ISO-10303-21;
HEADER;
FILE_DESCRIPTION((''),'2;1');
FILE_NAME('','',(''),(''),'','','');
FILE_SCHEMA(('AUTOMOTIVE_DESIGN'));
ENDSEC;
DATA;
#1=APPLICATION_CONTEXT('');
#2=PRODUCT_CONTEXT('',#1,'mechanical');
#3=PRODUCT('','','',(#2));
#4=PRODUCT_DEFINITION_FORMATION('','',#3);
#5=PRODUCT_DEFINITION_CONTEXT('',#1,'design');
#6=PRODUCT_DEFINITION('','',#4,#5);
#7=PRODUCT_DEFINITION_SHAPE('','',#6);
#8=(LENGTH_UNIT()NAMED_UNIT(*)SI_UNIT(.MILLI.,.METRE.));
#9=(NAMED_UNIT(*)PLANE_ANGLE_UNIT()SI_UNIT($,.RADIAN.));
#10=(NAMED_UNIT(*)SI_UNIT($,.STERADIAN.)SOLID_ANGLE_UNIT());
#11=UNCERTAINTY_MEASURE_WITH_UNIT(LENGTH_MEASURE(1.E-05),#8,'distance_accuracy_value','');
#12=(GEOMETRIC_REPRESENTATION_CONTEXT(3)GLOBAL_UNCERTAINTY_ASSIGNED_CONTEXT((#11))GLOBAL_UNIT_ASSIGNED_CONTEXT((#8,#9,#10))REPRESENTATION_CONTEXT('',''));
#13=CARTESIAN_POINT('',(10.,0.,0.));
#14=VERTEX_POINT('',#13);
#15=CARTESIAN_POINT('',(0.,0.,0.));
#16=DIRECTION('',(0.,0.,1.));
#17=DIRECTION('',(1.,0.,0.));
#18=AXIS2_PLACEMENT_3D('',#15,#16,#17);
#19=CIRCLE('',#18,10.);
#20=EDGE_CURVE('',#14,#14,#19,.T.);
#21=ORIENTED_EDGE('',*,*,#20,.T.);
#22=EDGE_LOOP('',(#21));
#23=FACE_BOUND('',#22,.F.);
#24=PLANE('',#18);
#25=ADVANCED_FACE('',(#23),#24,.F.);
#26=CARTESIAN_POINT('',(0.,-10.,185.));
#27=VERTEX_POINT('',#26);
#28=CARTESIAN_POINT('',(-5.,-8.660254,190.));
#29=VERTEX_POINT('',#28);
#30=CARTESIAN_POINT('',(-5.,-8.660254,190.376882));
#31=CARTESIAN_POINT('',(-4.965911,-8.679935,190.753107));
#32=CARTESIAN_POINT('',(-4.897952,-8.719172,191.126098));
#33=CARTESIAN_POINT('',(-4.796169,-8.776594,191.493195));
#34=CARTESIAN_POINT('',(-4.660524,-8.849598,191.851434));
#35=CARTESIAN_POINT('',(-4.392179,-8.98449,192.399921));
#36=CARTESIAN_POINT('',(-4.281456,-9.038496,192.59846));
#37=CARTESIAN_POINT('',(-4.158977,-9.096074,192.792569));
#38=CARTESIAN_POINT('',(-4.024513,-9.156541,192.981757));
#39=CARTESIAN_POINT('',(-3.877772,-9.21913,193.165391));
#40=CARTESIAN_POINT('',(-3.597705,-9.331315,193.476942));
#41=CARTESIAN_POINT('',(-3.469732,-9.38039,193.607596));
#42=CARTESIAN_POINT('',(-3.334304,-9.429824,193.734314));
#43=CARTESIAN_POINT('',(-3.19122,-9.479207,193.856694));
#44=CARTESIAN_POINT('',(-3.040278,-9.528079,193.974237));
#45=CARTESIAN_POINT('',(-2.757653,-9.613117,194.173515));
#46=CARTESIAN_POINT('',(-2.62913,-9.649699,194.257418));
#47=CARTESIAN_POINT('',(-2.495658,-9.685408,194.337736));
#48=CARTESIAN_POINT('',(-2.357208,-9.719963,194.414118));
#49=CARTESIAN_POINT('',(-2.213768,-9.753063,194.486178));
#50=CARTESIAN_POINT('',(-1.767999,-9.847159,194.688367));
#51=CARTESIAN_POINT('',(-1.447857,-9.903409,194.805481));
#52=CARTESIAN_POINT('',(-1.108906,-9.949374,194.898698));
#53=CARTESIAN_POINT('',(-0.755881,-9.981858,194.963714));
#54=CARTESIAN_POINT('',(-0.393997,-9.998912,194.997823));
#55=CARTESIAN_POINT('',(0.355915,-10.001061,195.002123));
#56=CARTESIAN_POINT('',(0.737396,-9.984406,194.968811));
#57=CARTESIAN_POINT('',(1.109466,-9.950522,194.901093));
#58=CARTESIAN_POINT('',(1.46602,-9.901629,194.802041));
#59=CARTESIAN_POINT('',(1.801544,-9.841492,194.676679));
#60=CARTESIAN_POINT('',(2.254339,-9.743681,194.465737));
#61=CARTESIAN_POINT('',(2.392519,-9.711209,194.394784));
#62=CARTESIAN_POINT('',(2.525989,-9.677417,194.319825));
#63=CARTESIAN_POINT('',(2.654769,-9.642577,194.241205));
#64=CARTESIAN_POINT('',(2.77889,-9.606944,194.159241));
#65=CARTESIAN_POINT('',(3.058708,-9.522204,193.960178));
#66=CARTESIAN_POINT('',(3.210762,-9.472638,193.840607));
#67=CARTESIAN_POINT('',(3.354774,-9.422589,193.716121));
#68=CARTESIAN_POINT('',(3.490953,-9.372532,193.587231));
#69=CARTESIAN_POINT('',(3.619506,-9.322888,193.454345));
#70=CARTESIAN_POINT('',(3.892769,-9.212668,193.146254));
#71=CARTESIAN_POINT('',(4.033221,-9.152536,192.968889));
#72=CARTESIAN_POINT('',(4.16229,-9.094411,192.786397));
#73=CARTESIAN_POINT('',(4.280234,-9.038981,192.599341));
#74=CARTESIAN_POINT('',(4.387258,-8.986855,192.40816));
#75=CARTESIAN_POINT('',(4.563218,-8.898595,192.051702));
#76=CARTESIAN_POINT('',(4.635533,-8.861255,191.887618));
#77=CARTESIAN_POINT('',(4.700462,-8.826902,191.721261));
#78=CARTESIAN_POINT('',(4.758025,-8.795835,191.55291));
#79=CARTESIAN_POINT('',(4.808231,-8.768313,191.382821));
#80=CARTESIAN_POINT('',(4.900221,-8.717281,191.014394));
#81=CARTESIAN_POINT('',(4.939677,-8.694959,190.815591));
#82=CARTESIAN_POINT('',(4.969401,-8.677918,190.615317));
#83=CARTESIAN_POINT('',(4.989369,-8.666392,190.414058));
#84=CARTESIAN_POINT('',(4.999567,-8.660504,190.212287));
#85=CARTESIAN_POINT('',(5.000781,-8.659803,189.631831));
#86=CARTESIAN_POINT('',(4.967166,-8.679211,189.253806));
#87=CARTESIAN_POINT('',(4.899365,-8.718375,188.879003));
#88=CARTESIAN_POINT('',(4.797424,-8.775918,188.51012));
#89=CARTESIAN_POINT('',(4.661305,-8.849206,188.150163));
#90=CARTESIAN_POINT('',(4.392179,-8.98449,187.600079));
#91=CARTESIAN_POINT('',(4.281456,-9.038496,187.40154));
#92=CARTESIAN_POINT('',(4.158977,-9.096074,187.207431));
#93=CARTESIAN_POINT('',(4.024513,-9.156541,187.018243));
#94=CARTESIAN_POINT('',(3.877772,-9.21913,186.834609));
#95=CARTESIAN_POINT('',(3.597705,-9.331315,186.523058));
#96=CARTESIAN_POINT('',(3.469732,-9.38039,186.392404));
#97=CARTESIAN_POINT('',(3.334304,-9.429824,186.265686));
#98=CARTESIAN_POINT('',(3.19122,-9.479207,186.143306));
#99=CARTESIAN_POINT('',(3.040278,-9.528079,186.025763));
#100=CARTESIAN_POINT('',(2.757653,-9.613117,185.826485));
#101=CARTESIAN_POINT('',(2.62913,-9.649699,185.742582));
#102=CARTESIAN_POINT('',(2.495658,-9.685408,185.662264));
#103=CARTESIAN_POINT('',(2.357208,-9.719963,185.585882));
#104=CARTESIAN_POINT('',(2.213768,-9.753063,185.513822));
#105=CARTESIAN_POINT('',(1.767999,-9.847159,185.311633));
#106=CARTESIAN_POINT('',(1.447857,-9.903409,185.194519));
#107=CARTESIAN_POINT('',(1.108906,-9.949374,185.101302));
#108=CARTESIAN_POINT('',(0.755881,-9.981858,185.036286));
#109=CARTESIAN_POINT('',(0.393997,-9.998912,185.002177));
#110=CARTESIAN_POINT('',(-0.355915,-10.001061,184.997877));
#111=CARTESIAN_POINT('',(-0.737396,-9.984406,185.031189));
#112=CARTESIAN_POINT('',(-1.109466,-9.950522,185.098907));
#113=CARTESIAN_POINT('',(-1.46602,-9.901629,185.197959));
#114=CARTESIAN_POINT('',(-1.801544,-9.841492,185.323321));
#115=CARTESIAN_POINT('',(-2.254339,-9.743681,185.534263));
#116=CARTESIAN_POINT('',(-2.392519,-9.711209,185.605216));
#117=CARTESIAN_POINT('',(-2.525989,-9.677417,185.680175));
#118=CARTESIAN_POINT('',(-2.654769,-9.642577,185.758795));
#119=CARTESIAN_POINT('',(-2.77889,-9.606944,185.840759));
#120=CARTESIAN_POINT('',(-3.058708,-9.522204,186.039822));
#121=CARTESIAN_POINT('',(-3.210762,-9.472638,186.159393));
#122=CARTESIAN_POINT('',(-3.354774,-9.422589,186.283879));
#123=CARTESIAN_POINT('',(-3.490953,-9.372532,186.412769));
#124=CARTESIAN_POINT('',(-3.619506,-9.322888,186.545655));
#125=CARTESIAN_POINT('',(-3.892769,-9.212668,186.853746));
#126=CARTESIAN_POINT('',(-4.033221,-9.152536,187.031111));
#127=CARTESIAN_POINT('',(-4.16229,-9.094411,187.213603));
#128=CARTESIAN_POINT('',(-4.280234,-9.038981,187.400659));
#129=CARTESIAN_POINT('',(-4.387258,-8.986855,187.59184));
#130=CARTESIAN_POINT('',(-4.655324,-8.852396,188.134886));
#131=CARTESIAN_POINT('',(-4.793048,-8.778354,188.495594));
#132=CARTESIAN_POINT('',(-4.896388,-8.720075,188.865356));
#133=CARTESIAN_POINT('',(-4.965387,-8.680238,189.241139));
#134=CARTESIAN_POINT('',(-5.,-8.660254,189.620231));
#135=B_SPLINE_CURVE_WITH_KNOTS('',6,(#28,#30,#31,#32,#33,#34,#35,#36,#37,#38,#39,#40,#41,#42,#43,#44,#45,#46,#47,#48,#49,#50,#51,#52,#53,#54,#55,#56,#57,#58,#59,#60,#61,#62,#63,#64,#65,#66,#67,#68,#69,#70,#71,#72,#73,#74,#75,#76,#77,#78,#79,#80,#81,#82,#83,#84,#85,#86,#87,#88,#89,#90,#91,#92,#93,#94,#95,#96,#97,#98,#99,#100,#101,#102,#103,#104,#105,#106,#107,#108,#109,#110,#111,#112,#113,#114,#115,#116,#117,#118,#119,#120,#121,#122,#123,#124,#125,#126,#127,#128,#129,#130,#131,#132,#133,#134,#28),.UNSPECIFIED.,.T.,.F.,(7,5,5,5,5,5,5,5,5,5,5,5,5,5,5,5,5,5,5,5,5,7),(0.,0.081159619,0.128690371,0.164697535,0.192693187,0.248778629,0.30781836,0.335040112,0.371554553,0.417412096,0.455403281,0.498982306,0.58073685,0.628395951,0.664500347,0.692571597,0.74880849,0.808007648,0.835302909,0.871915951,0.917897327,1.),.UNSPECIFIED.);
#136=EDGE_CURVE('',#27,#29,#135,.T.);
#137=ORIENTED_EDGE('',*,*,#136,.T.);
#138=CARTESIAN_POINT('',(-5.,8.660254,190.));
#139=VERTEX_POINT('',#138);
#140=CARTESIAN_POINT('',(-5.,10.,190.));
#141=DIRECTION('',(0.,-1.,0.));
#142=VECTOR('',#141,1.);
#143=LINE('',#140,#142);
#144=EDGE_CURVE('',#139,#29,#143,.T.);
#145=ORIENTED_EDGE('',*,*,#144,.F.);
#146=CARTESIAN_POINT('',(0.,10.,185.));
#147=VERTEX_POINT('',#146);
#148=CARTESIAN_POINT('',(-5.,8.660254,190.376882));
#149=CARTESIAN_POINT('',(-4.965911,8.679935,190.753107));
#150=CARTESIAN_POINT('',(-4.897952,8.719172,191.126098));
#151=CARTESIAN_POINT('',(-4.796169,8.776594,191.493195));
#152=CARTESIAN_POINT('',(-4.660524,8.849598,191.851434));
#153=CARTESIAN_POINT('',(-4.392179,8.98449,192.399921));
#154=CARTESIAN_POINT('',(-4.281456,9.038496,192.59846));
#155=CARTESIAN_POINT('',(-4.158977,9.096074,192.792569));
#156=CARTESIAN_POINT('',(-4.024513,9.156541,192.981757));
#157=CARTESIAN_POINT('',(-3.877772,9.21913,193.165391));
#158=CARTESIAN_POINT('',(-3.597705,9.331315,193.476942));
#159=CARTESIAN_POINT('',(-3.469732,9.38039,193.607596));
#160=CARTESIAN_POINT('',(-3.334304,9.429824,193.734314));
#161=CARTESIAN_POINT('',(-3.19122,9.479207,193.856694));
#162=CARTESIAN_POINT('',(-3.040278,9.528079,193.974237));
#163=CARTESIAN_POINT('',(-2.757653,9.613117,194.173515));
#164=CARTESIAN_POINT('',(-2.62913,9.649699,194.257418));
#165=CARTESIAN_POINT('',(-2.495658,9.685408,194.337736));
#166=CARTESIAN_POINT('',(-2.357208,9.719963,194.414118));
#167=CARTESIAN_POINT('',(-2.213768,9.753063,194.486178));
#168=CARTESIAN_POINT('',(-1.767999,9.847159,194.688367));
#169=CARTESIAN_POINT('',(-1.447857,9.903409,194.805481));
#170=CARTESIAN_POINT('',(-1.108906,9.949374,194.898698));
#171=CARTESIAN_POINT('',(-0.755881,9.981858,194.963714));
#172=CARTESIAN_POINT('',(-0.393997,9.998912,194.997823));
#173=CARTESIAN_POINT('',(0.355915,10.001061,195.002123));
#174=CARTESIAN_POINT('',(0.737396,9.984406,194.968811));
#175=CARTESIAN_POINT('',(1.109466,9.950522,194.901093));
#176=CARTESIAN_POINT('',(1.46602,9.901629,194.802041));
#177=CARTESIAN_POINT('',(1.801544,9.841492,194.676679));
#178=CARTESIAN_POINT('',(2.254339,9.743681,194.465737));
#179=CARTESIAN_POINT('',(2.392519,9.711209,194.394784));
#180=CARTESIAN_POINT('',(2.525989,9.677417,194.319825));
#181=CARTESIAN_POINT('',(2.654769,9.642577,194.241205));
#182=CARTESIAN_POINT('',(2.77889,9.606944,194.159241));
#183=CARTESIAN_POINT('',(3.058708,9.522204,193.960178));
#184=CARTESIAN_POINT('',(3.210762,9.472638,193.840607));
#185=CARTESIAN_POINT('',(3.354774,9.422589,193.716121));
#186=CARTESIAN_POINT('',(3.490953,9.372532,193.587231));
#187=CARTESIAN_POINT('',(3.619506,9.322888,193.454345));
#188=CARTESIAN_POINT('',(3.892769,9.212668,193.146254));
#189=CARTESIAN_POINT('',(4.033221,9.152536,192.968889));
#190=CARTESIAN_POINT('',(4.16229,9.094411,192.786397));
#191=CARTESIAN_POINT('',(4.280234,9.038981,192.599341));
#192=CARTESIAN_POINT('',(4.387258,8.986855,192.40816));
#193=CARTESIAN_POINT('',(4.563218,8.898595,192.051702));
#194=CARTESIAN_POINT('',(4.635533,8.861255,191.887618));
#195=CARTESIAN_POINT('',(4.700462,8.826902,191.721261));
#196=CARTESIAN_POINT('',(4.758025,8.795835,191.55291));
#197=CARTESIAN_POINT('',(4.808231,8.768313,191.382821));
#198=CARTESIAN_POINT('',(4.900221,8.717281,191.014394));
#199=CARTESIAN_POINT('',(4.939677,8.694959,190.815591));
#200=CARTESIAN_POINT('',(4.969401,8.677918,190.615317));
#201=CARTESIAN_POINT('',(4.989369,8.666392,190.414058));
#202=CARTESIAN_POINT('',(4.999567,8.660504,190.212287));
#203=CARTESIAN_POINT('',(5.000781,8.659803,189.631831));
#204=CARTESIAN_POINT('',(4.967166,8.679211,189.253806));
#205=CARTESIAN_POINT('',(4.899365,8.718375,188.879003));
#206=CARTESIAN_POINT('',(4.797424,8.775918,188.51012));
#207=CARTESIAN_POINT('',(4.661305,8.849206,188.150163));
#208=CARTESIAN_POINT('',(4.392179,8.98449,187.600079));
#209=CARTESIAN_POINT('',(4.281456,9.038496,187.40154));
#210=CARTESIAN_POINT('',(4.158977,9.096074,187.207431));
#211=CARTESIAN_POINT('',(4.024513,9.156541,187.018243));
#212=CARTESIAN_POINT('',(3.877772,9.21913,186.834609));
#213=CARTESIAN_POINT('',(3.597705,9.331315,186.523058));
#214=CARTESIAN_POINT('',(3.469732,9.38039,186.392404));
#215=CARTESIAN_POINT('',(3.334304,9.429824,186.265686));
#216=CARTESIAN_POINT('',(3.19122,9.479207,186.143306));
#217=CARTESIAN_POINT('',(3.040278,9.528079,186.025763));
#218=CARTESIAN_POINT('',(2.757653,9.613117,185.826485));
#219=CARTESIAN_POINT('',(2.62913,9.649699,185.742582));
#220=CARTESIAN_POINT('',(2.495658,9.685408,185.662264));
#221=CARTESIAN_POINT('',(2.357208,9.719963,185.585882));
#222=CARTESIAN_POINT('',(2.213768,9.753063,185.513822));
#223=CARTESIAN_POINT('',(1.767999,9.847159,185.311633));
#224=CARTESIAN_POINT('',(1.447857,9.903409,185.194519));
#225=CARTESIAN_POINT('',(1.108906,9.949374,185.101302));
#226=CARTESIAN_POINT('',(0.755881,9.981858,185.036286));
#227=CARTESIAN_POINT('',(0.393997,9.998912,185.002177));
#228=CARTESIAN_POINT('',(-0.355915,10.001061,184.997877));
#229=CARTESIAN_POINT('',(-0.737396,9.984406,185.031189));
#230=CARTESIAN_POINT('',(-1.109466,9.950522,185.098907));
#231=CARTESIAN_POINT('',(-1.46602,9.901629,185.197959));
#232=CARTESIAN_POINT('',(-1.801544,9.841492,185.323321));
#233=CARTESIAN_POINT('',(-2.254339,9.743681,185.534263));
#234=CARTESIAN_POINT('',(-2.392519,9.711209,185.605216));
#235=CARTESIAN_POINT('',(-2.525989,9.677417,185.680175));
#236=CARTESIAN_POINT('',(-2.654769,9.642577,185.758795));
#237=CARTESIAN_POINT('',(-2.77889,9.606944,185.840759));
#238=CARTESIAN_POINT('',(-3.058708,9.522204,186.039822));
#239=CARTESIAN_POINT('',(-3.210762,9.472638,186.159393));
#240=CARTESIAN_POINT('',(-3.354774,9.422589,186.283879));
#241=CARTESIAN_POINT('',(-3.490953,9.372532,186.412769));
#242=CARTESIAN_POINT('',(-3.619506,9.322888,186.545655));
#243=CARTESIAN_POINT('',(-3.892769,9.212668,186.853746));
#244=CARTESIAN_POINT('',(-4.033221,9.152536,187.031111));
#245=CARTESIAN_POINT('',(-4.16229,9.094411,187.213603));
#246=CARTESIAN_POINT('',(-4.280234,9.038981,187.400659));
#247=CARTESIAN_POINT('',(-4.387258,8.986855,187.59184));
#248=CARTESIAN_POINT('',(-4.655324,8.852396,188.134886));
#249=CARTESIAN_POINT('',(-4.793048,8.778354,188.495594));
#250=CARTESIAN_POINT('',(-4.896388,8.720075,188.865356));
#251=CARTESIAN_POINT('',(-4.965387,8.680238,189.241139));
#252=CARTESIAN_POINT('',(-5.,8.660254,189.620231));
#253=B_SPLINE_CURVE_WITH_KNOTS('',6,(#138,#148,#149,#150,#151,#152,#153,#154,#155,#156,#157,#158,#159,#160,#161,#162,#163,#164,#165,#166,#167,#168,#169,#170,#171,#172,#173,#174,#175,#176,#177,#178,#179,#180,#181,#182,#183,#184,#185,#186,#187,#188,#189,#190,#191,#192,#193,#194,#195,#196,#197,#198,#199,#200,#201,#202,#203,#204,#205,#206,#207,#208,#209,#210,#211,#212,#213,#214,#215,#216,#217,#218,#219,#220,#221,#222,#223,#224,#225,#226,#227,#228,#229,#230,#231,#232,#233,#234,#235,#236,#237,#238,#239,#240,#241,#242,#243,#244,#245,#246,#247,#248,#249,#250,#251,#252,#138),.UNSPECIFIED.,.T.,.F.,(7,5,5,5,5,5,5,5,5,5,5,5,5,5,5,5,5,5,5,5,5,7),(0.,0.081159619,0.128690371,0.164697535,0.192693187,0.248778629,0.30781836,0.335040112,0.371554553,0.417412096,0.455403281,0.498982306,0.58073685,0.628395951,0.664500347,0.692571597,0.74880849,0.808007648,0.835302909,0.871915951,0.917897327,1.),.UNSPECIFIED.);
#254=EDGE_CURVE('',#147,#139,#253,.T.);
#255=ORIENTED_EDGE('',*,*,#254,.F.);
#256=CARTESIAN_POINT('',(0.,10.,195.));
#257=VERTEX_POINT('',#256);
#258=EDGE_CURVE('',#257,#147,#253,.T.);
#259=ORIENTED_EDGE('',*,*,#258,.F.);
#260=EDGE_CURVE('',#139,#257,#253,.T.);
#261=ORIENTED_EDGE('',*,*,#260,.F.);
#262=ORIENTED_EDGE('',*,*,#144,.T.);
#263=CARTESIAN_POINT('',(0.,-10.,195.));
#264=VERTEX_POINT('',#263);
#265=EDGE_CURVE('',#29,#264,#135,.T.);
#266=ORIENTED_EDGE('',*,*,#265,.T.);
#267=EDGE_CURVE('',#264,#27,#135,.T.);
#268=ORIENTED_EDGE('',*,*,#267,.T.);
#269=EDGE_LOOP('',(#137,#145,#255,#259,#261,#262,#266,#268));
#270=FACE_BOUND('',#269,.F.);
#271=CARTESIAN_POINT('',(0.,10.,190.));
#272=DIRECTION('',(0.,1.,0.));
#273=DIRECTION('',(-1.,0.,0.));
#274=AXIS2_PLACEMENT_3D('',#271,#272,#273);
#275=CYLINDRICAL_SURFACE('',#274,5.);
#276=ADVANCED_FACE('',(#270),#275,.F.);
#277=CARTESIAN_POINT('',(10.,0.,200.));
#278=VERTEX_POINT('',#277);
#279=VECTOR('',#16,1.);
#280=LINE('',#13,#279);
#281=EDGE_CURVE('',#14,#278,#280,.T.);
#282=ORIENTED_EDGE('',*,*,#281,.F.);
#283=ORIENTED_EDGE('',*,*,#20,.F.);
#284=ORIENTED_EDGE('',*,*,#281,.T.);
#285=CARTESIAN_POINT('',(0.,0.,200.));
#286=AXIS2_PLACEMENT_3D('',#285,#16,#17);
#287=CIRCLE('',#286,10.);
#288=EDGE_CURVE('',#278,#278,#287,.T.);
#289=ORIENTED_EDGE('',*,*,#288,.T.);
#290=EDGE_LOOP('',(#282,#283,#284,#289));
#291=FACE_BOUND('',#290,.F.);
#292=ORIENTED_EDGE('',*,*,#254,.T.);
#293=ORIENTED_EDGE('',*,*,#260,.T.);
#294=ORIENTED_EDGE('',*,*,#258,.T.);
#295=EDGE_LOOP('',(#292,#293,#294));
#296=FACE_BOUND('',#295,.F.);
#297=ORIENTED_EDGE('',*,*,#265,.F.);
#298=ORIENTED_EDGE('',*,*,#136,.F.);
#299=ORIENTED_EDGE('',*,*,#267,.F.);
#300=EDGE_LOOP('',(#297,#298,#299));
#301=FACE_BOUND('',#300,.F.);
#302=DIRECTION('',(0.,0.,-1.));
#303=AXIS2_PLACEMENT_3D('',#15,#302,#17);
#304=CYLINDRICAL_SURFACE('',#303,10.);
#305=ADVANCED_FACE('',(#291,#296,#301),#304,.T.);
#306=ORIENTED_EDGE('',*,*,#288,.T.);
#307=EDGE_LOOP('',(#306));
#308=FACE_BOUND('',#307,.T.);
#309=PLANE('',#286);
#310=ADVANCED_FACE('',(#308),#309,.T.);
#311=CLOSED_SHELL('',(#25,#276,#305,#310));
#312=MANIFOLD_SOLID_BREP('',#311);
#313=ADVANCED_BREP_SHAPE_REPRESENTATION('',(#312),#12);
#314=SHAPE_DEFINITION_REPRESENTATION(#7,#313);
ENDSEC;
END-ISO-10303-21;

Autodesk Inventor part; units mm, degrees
ref_plane "YZ Plane" through (0, 0, 0) normal (1, 0, 0) x (0, 1, 0)
ref_plane "XY Plane" through (0, 0, 0) normal (0, 0, 1) x (1, 0, 0)
sketch "Sketch1" plane through (0, 0, 0) normal (0, 0, 1) x (1, 0, 0)
  circle A0 centre (0, 0) radius 10
  dimension "d0" = 20
extrude "Extrusion1" add sketch "Sketch1" along normal blind 200
ref_plane "Work Plane1" through (0, 10, 0) normal (0, 1, 0) x (-1, 0, 0)
sketch "Sketch2" plane through (0, 10, 0) normal (0, 1, 0) x (-1, 0, 0)
  line L0 (10, 200) -> (-10, 200) projected
  line L1 (10, 0) -> (-10, 0) projected
  line L2 (10, 200) -> (-10, 200) construction
  line L3 (0, 200) -> (0, 190) construction
  circle A0 centre (0, 190) radius 5
  point P0 (0, 0)
  dimension "d3" = 10
  dimension "d4" = 10
extrude "Extrusion2" cut sketch "Sketch2" against normal blind 20
properties part number "BarraConectoraMecanismoAscenso"
